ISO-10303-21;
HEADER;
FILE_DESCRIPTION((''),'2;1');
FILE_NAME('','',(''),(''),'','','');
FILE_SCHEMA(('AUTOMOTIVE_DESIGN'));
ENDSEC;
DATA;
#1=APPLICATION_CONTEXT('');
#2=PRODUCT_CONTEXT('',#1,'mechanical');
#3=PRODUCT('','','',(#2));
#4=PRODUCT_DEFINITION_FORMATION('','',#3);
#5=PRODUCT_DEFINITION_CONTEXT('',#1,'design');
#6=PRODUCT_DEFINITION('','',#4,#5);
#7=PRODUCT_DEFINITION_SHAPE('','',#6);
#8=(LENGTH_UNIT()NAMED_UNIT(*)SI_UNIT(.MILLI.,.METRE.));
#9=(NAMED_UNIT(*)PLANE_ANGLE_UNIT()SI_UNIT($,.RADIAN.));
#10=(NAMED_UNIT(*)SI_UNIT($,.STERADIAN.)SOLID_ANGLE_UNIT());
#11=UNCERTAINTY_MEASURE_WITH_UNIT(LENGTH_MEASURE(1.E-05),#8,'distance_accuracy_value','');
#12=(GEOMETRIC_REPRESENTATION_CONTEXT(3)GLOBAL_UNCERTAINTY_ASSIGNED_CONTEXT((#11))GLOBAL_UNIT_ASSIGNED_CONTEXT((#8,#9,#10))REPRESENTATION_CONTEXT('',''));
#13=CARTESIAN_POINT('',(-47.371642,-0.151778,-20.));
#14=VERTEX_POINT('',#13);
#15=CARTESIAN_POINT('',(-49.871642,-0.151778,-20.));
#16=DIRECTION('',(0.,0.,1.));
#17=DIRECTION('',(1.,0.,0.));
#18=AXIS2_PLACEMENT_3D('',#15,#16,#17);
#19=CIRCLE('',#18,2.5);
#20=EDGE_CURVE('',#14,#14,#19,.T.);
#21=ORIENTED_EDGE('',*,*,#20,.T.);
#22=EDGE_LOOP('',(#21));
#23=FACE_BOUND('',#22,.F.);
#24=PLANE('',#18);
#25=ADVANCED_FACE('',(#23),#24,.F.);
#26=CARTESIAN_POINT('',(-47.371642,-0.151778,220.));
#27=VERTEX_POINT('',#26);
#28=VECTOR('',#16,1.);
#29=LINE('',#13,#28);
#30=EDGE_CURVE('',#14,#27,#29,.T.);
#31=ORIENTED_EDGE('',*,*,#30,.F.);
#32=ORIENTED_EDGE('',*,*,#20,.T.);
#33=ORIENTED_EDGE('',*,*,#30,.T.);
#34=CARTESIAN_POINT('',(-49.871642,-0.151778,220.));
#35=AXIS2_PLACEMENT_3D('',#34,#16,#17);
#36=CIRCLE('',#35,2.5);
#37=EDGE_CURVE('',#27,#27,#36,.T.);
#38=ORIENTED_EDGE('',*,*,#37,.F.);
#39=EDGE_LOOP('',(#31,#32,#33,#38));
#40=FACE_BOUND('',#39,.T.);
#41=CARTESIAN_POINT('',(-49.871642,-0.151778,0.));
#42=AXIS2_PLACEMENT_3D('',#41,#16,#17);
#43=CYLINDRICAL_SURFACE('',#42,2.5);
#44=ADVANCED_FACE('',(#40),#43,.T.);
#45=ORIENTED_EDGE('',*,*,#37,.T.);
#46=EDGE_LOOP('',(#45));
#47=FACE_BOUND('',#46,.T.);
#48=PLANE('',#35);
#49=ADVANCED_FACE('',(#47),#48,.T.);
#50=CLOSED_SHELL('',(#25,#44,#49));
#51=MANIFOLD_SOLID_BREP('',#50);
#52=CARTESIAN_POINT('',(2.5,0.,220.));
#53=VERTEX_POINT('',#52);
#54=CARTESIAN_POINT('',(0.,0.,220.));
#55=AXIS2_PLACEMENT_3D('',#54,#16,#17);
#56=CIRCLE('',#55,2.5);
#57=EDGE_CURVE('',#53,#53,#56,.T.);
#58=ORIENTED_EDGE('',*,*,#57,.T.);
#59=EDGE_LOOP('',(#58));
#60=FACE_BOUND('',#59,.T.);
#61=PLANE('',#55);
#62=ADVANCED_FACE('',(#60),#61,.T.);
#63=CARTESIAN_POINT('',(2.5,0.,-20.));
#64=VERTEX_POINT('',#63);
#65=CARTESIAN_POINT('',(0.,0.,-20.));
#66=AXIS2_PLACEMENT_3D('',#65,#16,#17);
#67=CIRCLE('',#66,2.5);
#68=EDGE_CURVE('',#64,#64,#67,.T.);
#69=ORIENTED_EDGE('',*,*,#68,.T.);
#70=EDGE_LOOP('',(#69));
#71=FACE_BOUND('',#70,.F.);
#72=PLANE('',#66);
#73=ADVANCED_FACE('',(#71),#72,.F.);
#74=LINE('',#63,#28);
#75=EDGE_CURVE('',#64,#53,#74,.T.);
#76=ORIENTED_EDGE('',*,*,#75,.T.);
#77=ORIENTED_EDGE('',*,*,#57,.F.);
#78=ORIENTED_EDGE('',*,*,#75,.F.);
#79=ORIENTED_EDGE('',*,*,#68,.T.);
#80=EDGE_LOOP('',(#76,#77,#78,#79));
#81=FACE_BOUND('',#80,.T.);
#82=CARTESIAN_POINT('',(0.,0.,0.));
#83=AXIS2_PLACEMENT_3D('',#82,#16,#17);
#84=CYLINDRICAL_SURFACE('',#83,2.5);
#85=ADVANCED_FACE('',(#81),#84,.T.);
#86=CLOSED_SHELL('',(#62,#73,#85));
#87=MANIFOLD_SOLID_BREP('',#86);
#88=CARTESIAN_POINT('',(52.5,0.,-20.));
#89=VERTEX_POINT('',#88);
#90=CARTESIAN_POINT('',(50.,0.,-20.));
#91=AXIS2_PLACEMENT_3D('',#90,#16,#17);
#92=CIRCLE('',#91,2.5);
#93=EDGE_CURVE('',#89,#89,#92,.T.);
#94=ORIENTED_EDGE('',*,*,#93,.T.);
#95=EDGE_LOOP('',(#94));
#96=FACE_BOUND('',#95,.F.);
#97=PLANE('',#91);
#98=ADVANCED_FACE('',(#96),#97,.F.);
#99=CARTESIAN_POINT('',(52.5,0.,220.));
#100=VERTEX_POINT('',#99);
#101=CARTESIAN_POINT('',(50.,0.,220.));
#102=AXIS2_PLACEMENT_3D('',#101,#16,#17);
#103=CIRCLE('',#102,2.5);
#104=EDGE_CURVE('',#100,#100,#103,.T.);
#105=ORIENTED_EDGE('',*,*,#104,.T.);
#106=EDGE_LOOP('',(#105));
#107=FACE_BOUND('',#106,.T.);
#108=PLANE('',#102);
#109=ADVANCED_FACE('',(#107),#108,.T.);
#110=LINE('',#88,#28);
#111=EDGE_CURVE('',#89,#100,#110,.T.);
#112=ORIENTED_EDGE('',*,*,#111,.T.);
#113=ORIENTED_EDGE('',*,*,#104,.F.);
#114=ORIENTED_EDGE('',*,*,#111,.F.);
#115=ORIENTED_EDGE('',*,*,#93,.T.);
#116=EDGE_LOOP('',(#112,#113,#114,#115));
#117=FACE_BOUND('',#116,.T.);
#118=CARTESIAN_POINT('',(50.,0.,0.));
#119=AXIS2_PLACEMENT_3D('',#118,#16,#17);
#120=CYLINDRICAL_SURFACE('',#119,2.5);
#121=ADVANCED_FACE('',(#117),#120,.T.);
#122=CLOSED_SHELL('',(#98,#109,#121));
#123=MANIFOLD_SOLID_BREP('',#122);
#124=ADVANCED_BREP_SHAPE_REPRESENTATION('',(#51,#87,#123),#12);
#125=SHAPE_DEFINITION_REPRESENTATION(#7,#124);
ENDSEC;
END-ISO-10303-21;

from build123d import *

# Parameters (mm, degrees)
F0_R          = 2.5
F1_DEPTH      = 220
F1_DEPTH_BACK = 20


with BuildPart() as f1:
    # F0 (on Top) → F1 (new body, two sides)
    with BuildSketch(Plane.XY) as f1_sk:
        Circle(F0_R)
        with Locations((50, 0)):
            Circle(F0_R)
        with Locations((-49.871642, -0.151778)):
            Circle(F0_R)
    extrude(amount=F1_DEPTH)
    extrude(f1_sk.sketch, amount=-F1_DEPTH_BACK)


solid = f1.part
